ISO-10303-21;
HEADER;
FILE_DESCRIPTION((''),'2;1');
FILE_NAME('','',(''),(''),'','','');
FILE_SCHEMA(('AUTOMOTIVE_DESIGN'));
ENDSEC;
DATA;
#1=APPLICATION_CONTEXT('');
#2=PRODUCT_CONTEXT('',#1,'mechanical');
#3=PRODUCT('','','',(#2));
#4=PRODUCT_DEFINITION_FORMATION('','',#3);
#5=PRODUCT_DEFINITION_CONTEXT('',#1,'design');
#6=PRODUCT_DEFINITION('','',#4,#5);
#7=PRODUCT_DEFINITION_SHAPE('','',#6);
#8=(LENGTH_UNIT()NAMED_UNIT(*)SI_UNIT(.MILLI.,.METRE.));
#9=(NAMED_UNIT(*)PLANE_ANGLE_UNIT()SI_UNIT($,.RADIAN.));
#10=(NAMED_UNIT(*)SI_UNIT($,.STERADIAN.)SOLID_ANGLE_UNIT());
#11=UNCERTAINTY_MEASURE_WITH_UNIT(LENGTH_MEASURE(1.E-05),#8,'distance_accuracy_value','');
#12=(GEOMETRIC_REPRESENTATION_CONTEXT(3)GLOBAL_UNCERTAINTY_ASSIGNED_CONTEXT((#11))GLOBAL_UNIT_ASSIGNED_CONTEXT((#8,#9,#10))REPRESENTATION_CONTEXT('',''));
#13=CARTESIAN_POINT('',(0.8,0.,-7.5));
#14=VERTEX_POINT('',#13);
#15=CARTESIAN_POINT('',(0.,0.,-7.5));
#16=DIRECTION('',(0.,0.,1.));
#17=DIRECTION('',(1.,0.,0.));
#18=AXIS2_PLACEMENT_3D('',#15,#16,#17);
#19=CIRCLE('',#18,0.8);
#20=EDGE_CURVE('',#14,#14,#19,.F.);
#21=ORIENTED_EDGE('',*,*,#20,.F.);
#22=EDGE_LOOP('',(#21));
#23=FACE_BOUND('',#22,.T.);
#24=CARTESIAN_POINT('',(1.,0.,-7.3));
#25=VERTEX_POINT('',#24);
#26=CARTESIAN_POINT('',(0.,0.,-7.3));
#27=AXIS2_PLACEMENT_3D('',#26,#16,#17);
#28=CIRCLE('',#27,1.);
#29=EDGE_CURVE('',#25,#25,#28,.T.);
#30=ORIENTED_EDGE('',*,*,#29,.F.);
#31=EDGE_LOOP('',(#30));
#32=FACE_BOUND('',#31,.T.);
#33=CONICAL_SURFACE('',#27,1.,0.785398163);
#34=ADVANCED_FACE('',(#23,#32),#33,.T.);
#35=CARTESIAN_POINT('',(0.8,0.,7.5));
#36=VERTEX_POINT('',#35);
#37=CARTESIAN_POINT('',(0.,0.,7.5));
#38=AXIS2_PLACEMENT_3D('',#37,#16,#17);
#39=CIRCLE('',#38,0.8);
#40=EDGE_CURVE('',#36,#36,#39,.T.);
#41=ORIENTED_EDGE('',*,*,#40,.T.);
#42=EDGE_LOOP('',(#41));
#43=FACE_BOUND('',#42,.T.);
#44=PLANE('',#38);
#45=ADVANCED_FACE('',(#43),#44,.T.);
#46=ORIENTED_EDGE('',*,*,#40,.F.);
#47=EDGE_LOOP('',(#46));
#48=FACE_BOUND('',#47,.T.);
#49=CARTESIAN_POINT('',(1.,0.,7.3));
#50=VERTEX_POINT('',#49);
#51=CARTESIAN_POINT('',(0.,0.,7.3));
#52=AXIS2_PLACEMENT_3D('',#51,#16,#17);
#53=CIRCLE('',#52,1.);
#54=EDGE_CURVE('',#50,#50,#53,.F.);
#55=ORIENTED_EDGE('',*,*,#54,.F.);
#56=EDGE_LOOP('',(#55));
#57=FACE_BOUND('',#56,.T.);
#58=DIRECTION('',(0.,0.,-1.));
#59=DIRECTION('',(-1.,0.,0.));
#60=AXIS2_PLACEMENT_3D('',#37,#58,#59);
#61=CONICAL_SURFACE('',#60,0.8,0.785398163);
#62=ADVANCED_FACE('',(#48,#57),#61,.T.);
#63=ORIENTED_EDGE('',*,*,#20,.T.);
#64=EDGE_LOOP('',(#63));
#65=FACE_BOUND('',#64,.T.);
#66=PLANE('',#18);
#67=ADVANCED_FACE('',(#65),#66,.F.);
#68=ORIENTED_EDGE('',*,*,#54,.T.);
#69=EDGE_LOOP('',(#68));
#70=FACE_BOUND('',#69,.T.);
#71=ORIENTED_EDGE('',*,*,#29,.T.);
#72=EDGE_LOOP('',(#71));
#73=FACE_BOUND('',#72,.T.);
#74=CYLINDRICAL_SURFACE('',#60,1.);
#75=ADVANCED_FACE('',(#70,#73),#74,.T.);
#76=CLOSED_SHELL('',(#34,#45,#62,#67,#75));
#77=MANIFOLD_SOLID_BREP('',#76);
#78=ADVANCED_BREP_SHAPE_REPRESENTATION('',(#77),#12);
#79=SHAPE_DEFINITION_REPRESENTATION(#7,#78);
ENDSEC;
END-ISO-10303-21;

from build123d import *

# Parameters (mm, degrees)
SKETCH_1_R      = 1
EXTRUDE_1_DEPTH = 7.5
CHAMFER_1_SIZE  = 0.2


with BuildPart() as part:
    # 草图1 → 凸台-拉伸1 (new body, symmetric)
    with BuildSketch(Plane.XY):
        Circle(SKETCH_1_R)
    extrude(amount=EXTRUDE_1_DEPTH, both=True)

    # 倒角1
    chamfer_1_edges = [part.edges().sort_by_distance(p)[0] for p in [
        (-1, 0, -7.5),
        (-1, 0, 7.5),
    ]]
    chamfer(chamfer_1_edges, length=CHAMFER_1_SIZE)


solid = part.part
